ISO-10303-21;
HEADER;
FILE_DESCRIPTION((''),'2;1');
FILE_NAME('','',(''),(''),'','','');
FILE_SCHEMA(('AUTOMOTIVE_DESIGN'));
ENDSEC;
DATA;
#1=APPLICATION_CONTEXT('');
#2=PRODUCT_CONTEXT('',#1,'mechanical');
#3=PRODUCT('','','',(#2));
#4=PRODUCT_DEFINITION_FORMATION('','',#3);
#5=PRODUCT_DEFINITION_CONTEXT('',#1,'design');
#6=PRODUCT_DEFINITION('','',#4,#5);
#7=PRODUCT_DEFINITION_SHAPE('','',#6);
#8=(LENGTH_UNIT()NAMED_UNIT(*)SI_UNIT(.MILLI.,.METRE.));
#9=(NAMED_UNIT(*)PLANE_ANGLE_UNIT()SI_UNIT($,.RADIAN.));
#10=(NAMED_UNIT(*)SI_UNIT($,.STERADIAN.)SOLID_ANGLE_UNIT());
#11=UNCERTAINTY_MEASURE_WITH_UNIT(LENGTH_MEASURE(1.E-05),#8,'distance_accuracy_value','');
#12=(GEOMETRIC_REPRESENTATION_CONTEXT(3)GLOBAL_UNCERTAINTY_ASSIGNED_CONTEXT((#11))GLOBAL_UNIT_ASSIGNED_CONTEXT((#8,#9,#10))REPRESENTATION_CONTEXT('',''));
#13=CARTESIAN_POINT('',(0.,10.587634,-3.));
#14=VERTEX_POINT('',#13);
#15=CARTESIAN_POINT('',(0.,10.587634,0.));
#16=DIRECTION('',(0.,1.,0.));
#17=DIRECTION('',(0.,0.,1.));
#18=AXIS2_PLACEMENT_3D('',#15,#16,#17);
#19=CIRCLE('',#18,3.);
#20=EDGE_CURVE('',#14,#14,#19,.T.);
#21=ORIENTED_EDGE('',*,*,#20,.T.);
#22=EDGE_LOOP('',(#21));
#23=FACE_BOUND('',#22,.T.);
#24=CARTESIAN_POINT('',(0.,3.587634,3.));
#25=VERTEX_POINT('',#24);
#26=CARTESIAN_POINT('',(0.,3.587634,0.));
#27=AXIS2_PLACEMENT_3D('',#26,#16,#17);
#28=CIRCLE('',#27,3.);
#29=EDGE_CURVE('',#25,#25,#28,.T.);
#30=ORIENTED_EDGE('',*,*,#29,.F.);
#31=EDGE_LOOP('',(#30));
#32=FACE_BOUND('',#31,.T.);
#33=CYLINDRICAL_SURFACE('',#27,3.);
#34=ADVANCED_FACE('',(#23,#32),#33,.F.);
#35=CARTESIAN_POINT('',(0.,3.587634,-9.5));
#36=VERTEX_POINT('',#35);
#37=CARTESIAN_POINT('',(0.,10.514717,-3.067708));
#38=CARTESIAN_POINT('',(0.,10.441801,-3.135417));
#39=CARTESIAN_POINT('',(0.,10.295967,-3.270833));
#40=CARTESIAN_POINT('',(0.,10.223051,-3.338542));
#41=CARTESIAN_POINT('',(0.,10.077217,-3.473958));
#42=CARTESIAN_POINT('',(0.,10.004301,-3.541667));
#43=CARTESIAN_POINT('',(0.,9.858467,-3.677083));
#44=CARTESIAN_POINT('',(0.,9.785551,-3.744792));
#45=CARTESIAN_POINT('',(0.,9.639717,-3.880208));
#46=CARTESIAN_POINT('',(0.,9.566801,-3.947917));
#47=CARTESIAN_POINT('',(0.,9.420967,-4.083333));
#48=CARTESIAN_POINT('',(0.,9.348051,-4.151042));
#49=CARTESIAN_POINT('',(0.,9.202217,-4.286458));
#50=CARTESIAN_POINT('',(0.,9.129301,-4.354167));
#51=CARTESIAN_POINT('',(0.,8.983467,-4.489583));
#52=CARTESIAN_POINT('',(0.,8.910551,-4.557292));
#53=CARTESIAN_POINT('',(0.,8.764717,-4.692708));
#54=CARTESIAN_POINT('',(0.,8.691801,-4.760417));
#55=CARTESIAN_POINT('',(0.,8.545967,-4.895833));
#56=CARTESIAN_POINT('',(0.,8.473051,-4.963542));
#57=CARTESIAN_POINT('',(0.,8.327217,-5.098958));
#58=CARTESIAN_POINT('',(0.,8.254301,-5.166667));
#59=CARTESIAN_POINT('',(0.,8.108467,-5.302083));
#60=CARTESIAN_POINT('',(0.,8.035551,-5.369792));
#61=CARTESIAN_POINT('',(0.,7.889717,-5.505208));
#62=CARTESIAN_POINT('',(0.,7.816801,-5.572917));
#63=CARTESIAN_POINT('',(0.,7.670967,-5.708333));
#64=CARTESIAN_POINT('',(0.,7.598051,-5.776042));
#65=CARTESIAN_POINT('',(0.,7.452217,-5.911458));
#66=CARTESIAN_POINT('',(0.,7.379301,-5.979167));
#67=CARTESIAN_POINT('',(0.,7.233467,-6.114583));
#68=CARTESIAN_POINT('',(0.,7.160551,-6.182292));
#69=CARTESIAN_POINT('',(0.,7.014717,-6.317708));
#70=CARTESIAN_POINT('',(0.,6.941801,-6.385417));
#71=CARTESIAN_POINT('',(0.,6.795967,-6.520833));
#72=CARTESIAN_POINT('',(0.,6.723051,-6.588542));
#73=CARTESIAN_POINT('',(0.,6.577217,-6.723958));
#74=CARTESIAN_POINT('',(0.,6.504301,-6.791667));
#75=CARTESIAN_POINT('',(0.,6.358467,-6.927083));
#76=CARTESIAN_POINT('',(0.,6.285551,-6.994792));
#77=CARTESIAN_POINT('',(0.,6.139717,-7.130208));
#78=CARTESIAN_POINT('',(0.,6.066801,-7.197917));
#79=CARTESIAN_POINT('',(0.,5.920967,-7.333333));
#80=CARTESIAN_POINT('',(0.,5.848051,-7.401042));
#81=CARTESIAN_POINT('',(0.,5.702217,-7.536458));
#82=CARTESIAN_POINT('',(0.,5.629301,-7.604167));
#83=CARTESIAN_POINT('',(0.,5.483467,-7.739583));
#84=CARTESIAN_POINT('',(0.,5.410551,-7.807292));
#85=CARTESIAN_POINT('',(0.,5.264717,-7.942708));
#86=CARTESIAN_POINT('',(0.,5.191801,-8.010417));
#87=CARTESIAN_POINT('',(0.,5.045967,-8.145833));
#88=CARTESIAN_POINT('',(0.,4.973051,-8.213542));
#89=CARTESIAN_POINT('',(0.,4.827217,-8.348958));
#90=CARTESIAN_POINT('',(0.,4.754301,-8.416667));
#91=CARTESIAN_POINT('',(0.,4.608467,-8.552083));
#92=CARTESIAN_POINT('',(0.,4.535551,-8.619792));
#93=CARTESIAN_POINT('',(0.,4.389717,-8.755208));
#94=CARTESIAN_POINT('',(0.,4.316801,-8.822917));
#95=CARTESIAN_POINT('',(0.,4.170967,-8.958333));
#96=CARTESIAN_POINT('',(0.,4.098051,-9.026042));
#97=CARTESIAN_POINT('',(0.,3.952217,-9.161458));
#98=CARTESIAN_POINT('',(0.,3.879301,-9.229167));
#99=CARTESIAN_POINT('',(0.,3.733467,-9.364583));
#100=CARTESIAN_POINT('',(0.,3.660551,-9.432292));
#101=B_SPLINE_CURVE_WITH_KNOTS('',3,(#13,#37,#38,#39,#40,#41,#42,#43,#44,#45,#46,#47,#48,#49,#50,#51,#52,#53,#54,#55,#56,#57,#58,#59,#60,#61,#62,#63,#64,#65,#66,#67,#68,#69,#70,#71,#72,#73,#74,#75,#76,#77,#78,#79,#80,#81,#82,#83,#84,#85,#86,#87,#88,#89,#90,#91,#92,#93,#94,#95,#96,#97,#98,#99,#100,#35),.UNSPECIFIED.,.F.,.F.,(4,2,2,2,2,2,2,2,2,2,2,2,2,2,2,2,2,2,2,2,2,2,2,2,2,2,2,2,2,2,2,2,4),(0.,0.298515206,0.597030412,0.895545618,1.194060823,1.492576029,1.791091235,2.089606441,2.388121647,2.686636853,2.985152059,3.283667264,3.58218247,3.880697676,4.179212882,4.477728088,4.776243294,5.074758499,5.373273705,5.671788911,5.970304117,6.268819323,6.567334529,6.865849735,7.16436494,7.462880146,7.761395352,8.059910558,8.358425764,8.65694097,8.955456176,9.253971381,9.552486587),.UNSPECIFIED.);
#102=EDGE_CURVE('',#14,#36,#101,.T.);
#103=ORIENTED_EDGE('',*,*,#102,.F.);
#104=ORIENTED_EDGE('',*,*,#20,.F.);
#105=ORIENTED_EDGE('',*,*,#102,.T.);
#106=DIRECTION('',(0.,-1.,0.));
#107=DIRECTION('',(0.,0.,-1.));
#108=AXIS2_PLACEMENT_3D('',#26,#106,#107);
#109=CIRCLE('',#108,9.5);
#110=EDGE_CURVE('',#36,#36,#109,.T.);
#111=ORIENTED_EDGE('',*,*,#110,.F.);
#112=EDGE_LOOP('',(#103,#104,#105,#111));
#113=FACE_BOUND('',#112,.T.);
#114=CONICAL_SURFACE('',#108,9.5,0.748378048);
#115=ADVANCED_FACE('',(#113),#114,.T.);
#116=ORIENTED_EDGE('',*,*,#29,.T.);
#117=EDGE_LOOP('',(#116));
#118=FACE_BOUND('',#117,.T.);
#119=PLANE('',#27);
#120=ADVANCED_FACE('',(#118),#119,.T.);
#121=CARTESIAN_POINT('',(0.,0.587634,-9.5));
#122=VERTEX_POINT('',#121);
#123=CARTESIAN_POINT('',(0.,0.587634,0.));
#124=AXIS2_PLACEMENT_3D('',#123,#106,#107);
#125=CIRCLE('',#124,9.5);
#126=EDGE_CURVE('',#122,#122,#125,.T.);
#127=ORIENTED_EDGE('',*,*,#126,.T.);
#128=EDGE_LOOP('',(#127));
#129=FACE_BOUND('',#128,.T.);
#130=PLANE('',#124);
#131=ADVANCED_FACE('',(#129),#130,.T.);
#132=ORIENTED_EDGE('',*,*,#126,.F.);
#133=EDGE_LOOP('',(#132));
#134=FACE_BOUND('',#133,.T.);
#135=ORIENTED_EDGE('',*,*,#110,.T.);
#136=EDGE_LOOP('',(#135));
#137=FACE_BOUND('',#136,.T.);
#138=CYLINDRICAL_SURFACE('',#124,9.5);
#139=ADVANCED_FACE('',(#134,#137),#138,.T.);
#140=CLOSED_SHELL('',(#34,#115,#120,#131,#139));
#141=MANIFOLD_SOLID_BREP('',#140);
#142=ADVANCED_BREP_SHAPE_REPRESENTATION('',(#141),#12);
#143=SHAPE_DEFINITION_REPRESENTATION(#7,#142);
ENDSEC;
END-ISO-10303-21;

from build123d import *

# Parameters (mm, degrees)
SKETCH2_R          = 3
CUT_EXTRUDE1_DEPTH = 7


with BuildPart() as part:
    # Sketch1 → Revolve1 (revolve)
    with BuildSketch(Plane.XY, mode=Mode.PRIVATE) as revolve1_sk:
        Polygon((0, 0.587634079), (0, 10.587634079), (3, 10.587634079), (9.5, 3.587634079), (9.5, 0.587634079), align=None)
    revolve(revolve1_sk.sketch.rotate(Axis((0, 0.587634079, 0), (0, 1, 0)), 90), axis=Axis((0, 0.587634079, 0), (0, 1, 0)))

    # Sketch2 → Cut-Extrude1 (cut)
    with BuildSketch(Plane(origin=(0, 10.587634079, 0), x_dir=(1, 0, 0), z_dir=(0, 1, 0))):
        with Locations(Location((0, 0, 0), (0, 0, 270))):
            Circle(SKETCH2_R)
    extrude(amount=-CUT_EXTRUDE1_DEPTH, mode=Mode.SUBTRACT)


solid = part.part
